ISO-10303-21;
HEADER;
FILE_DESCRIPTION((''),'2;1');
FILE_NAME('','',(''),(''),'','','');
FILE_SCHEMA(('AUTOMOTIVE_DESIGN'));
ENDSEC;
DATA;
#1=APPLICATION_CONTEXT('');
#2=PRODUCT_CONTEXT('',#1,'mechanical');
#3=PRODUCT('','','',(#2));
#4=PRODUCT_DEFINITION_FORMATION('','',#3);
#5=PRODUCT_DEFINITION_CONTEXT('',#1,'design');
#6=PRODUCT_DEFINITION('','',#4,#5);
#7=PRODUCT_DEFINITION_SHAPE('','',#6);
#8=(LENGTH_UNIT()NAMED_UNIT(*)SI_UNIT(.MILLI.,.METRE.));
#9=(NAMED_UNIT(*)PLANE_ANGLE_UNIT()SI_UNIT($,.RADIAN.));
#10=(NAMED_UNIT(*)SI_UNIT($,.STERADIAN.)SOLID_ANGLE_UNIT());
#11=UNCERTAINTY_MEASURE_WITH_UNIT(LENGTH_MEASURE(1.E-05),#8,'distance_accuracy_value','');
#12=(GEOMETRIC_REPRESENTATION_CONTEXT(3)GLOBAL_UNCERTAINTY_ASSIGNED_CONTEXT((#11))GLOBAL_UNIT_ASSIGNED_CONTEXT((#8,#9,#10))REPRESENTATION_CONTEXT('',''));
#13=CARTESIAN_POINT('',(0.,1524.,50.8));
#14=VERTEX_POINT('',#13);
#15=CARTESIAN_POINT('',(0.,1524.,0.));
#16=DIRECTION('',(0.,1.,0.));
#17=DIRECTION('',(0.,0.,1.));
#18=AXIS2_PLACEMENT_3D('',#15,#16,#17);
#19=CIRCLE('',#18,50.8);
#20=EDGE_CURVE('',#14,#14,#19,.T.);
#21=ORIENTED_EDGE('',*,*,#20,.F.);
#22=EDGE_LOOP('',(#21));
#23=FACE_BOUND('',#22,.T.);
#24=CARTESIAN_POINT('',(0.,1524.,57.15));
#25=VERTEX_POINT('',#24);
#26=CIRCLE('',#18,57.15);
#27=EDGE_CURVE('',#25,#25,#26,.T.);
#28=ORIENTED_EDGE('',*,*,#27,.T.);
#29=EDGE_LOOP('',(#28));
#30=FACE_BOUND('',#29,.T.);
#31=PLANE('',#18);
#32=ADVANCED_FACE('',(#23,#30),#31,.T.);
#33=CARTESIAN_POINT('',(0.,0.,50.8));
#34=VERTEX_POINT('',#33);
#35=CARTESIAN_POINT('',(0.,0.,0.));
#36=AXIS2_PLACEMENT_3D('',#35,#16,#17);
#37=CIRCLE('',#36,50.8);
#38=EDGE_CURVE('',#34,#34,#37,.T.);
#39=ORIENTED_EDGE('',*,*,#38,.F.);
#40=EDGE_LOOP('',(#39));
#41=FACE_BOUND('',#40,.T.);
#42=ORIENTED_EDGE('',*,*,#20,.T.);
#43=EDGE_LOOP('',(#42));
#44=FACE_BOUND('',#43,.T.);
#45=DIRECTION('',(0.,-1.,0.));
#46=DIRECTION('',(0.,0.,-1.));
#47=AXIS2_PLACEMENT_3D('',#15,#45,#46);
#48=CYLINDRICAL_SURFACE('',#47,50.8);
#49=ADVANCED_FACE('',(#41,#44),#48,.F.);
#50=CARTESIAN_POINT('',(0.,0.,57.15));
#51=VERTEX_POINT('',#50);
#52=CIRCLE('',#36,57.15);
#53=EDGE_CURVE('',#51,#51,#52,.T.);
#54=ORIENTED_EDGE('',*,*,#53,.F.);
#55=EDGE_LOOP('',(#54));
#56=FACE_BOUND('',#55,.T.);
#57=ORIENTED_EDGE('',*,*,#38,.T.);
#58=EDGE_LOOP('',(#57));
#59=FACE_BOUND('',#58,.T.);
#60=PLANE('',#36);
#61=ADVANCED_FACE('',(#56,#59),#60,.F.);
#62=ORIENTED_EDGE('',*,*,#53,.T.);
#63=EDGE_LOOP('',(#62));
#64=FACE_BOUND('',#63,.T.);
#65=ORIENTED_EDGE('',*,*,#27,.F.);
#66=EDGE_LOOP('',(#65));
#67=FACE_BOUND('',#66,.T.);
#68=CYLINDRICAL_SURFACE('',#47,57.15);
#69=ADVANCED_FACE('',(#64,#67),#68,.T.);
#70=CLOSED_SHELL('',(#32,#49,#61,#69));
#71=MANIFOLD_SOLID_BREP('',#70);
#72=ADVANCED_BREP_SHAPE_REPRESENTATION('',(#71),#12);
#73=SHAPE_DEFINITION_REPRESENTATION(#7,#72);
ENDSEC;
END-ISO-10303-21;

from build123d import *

# Parameters (mm, degrees)
SKETCH1_R           = 57.15
SKETCH1_R_2         = 50.8
BOSS_EXTRUDE1_DEPTH = 1524


with BuildPart() as part:
    # Sketch1 → Boss-Extrude1 (new body)
    with BuildSketch(Plane(origin=(0, 0, 0), x_dir=(1, 0, 0), z_dir=(0, 1, 0))):
        Circle(SKETCH1_R)
        Circle(SKETCH1_R_2, mode=Mode.SUBTRACT)
    extrude(amount=BOSS_EXTRUDE1_DEPTH)


solid = part.part
